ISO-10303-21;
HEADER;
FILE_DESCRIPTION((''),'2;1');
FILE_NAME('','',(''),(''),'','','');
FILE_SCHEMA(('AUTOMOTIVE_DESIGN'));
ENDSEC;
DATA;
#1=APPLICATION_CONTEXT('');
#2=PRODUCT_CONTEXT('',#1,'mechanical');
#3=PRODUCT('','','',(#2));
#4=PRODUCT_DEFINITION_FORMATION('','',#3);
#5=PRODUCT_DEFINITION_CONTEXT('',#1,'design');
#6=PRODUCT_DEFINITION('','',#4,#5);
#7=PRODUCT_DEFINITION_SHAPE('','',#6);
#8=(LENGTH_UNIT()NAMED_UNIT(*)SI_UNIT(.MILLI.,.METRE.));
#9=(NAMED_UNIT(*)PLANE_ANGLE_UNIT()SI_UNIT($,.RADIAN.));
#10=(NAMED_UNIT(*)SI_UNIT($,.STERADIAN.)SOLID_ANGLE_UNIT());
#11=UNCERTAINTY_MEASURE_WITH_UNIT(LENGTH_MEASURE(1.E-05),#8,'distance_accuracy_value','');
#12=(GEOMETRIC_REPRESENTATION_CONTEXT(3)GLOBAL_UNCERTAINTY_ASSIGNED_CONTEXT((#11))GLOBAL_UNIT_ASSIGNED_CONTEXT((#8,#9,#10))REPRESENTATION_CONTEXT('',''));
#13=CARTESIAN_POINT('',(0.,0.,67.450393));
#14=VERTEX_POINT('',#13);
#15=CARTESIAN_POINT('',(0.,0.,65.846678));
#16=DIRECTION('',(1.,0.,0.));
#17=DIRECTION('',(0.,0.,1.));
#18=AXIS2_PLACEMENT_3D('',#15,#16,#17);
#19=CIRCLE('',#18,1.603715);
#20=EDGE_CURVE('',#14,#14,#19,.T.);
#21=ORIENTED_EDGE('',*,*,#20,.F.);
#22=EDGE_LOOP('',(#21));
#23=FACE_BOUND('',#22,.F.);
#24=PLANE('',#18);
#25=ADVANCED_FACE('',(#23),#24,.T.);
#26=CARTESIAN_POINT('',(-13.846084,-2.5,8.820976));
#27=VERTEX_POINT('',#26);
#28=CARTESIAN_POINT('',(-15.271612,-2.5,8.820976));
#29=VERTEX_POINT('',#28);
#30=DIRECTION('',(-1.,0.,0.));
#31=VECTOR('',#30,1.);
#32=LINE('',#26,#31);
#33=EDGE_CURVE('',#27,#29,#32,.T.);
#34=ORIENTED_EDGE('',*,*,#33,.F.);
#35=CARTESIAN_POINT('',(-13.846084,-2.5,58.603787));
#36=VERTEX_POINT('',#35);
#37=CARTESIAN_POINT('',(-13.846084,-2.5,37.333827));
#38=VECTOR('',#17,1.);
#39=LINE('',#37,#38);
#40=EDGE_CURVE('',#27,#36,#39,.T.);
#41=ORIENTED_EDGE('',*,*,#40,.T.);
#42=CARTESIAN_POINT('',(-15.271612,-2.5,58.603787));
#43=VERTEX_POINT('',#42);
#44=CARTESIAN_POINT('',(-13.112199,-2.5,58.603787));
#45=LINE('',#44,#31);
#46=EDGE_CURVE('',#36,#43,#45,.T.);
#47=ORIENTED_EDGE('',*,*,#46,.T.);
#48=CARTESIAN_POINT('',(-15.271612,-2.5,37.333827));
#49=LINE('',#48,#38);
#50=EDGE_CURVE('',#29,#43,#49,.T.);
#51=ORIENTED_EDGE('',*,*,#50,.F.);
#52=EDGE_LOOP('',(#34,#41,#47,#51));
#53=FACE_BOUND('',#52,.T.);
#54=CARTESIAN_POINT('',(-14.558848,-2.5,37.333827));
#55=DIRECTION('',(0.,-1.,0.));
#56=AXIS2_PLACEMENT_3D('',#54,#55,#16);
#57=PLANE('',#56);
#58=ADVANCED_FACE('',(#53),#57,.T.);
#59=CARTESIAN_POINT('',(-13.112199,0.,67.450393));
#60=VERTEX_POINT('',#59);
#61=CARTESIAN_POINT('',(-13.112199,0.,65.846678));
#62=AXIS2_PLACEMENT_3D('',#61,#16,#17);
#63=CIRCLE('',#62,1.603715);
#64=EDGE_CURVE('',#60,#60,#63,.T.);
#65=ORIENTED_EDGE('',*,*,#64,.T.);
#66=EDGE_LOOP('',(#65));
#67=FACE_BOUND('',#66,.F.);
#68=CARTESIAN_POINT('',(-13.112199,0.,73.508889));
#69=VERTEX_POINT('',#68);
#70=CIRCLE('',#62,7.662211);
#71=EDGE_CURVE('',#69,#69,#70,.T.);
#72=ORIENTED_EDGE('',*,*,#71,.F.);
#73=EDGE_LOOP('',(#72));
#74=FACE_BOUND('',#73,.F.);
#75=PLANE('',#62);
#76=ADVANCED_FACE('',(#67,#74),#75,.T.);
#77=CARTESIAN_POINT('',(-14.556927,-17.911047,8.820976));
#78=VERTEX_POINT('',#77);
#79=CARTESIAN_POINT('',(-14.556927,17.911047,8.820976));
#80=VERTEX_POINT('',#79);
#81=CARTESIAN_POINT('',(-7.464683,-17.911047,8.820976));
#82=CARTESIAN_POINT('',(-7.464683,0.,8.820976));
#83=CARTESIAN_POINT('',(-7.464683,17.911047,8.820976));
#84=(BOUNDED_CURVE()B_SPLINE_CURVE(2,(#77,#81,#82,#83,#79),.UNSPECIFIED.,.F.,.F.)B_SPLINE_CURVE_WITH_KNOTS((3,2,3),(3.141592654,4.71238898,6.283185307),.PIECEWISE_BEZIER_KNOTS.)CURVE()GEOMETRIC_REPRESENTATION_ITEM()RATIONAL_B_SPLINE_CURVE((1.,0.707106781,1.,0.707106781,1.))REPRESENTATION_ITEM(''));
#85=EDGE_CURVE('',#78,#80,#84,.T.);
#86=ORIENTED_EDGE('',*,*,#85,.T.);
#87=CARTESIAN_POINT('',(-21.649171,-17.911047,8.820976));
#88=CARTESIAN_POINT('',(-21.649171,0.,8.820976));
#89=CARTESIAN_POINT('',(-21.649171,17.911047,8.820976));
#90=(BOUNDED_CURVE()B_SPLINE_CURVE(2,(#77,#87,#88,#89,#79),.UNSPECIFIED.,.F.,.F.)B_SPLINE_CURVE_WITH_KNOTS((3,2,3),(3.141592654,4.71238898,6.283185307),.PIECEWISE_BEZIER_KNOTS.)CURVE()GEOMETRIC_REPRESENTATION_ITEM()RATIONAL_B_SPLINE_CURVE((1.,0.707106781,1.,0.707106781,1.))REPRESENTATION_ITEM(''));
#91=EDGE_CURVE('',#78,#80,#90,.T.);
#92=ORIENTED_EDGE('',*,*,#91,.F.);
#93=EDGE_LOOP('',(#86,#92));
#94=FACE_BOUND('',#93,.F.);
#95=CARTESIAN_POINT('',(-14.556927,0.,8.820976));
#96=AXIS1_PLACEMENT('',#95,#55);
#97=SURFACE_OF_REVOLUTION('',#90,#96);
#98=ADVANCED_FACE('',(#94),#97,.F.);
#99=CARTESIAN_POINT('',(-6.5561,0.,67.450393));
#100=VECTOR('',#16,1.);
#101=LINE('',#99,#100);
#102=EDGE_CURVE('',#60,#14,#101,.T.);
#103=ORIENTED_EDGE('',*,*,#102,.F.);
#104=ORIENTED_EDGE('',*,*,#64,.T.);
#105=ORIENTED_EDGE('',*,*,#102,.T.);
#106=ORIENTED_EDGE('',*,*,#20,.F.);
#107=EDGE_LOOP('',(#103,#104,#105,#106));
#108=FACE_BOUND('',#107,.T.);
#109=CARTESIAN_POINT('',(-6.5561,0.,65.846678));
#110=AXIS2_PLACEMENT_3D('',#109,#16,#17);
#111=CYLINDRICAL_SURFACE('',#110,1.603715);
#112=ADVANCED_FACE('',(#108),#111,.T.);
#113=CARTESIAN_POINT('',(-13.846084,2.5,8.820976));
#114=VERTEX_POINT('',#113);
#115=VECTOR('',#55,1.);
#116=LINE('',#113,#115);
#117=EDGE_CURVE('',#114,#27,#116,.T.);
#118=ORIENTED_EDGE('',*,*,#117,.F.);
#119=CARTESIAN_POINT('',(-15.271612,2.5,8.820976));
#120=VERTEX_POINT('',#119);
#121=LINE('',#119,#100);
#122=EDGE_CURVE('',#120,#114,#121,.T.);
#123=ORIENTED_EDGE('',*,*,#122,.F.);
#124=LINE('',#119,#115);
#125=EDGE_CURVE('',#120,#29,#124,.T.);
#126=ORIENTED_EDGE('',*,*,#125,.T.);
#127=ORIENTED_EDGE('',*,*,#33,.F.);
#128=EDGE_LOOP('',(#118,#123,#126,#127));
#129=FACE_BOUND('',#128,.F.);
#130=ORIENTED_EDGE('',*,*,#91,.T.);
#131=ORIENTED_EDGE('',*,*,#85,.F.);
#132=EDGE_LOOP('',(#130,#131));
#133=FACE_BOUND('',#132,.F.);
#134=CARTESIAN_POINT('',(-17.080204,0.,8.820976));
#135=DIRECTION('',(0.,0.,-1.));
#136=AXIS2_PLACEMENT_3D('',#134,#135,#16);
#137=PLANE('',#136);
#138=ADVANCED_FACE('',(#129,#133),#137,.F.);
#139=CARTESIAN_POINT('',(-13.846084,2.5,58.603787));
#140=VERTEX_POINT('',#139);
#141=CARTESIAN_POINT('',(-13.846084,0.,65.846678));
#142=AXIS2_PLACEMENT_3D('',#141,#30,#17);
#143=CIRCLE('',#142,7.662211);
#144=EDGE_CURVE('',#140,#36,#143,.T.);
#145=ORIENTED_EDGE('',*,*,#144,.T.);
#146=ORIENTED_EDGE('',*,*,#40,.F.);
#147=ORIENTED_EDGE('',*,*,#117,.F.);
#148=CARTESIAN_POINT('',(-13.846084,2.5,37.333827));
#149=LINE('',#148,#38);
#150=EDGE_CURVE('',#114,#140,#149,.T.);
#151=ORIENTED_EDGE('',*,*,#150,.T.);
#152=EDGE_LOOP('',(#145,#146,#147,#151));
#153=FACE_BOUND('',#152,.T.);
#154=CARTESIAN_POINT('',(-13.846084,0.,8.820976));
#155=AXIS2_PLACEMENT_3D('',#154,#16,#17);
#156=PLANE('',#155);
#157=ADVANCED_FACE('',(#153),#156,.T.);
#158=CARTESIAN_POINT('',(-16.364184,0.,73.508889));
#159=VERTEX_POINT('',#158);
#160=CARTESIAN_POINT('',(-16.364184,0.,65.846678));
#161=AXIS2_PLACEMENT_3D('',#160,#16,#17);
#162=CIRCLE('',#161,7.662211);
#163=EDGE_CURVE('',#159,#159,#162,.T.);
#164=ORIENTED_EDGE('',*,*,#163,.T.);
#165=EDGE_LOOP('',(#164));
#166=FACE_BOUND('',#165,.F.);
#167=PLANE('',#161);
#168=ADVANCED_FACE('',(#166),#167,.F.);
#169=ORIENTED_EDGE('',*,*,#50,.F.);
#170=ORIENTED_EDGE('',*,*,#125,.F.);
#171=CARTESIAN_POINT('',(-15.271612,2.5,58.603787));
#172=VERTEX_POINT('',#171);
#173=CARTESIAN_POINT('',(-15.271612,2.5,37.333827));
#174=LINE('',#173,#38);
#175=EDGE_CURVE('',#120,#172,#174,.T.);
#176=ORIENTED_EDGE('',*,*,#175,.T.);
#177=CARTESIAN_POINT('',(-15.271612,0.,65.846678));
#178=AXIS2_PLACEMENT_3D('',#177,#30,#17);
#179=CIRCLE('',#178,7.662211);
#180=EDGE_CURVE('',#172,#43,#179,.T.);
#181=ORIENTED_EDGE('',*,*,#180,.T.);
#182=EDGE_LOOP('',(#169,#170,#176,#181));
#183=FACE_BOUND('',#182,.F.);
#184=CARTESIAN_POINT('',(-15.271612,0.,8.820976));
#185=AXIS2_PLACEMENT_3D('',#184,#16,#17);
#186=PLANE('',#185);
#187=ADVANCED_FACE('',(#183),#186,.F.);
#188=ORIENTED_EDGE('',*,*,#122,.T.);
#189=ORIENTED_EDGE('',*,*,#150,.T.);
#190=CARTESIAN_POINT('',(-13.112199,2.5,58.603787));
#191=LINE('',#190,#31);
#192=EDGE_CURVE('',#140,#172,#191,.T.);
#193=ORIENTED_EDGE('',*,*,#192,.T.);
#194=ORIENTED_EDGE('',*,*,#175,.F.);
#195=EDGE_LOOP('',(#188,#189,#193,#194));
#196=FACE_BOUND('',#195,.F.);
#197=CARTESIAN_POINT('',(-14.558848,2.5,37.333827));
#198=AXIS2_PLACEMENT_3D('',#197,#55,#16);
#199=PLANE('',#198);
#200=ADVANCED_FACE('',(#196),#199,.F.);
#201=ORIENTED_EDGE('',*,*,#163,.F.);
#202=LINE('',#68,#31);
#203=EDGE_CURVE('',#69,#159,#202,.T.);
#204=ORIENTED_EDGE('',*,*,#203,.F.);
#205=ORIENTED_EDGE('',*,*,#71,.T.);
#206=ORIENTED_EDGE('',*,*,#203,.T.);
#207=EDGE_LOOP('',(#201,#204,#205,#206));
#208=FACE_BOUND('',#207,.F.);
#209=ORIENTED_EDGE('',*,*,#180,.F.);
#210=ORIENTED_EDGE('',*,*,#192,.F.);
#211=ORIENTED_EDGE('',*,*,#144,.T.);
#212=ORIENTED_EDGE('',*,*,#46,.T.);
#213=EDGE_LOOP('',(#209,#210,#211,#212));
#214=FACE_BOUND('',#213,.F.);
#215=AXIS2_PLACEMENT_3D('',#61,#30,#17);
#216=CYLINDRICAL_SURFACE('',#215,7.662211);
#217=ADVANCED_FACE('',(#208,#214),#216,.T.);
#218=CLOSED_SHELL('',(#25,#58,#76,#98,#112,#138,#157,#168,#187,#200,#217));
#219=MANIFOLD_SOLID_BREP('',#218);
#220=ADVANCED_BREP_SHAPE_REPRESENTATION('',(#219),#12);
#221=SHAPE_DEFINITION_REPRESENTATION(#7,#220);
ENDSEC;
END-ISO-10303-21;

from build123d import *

# Parameters (mm, degrees)
F0_W     = 13.1121994928
F0_H     = 1.6037151217
F0_W_2   = 1.4255279675
F0_H_2   = 57.0257019255
F2_DEPTH = 2.5
F5_ANGLE = 180


with BuildPart() as f1:
    # F0 (on Front) → F1 (revolve)
    with BuildSketch(Plane.XZ):
        Polygon((-13.1121994928, 65.8466780561), (-13.1121994928, 67.4503931779), (-13.1121994928, 73.5088886696), (-16.3641842082, 73.5088886696), (-16.3641842082, 65.8466780562), (-15.271612443, 65.8466780562), (-13.8460844755, 65.8466780562), align=None)
        with Locations((-6.5560997464, 66.648535617)):
            Rectangle(F0_W, F0_H)
    revolve(axis=Axis((-8.1820921041, 0, 65.8466780562), (1, 0, 0)))

    # F0 (on Front) → F2 (join, symmetric)
    with BuildSketch(Plane.XZ):
        with Locations((-14.5588484593, 37.3338270934)):
            Rectangle(F0_W_2, F0_H_2)
    extrude(amount=F2_DEPTH, both=True)

    # F4 (on offset) → F5 (revolve)
    with BuildSketch(Plane(origin=(0, 0, 8.8209761307), x_dir=(1, 0, 0), z_dir=(0, 0, -1))):
        with BuildLine():
            Line((-14.5569266751, 2.5077068713), (-14.5569266751, 17.9110467434))
            add(Edge.make_bspline(
                [(-14.5569266751, 17.9110467434), (-21.6491705103, 17.9110467434), (-21.6491705103, 0), (-21.6491705103, -17.9110467434), (-14.5569266751, -17.9110467434)],
                knots=[3.1415926536, 3.1415926536, 3.1415926536, 4.7123889804, 4.7123889804, 6.2831853072, 6.2831853072, 6.2831853072], degree=2, weights=[1, 0.7071067812, 1, 0.7071067812, 1]))
            Line((-14.5569266751, -17.9110467434), (-14.5569266751, 2.5077068713))
        make_face()
    revolve(axis=Axis((-14.5569266751, 0, 8.8209761307), (0, -1, 0)), revolution_arc=F5_ANGLE)


solid = f1.part
